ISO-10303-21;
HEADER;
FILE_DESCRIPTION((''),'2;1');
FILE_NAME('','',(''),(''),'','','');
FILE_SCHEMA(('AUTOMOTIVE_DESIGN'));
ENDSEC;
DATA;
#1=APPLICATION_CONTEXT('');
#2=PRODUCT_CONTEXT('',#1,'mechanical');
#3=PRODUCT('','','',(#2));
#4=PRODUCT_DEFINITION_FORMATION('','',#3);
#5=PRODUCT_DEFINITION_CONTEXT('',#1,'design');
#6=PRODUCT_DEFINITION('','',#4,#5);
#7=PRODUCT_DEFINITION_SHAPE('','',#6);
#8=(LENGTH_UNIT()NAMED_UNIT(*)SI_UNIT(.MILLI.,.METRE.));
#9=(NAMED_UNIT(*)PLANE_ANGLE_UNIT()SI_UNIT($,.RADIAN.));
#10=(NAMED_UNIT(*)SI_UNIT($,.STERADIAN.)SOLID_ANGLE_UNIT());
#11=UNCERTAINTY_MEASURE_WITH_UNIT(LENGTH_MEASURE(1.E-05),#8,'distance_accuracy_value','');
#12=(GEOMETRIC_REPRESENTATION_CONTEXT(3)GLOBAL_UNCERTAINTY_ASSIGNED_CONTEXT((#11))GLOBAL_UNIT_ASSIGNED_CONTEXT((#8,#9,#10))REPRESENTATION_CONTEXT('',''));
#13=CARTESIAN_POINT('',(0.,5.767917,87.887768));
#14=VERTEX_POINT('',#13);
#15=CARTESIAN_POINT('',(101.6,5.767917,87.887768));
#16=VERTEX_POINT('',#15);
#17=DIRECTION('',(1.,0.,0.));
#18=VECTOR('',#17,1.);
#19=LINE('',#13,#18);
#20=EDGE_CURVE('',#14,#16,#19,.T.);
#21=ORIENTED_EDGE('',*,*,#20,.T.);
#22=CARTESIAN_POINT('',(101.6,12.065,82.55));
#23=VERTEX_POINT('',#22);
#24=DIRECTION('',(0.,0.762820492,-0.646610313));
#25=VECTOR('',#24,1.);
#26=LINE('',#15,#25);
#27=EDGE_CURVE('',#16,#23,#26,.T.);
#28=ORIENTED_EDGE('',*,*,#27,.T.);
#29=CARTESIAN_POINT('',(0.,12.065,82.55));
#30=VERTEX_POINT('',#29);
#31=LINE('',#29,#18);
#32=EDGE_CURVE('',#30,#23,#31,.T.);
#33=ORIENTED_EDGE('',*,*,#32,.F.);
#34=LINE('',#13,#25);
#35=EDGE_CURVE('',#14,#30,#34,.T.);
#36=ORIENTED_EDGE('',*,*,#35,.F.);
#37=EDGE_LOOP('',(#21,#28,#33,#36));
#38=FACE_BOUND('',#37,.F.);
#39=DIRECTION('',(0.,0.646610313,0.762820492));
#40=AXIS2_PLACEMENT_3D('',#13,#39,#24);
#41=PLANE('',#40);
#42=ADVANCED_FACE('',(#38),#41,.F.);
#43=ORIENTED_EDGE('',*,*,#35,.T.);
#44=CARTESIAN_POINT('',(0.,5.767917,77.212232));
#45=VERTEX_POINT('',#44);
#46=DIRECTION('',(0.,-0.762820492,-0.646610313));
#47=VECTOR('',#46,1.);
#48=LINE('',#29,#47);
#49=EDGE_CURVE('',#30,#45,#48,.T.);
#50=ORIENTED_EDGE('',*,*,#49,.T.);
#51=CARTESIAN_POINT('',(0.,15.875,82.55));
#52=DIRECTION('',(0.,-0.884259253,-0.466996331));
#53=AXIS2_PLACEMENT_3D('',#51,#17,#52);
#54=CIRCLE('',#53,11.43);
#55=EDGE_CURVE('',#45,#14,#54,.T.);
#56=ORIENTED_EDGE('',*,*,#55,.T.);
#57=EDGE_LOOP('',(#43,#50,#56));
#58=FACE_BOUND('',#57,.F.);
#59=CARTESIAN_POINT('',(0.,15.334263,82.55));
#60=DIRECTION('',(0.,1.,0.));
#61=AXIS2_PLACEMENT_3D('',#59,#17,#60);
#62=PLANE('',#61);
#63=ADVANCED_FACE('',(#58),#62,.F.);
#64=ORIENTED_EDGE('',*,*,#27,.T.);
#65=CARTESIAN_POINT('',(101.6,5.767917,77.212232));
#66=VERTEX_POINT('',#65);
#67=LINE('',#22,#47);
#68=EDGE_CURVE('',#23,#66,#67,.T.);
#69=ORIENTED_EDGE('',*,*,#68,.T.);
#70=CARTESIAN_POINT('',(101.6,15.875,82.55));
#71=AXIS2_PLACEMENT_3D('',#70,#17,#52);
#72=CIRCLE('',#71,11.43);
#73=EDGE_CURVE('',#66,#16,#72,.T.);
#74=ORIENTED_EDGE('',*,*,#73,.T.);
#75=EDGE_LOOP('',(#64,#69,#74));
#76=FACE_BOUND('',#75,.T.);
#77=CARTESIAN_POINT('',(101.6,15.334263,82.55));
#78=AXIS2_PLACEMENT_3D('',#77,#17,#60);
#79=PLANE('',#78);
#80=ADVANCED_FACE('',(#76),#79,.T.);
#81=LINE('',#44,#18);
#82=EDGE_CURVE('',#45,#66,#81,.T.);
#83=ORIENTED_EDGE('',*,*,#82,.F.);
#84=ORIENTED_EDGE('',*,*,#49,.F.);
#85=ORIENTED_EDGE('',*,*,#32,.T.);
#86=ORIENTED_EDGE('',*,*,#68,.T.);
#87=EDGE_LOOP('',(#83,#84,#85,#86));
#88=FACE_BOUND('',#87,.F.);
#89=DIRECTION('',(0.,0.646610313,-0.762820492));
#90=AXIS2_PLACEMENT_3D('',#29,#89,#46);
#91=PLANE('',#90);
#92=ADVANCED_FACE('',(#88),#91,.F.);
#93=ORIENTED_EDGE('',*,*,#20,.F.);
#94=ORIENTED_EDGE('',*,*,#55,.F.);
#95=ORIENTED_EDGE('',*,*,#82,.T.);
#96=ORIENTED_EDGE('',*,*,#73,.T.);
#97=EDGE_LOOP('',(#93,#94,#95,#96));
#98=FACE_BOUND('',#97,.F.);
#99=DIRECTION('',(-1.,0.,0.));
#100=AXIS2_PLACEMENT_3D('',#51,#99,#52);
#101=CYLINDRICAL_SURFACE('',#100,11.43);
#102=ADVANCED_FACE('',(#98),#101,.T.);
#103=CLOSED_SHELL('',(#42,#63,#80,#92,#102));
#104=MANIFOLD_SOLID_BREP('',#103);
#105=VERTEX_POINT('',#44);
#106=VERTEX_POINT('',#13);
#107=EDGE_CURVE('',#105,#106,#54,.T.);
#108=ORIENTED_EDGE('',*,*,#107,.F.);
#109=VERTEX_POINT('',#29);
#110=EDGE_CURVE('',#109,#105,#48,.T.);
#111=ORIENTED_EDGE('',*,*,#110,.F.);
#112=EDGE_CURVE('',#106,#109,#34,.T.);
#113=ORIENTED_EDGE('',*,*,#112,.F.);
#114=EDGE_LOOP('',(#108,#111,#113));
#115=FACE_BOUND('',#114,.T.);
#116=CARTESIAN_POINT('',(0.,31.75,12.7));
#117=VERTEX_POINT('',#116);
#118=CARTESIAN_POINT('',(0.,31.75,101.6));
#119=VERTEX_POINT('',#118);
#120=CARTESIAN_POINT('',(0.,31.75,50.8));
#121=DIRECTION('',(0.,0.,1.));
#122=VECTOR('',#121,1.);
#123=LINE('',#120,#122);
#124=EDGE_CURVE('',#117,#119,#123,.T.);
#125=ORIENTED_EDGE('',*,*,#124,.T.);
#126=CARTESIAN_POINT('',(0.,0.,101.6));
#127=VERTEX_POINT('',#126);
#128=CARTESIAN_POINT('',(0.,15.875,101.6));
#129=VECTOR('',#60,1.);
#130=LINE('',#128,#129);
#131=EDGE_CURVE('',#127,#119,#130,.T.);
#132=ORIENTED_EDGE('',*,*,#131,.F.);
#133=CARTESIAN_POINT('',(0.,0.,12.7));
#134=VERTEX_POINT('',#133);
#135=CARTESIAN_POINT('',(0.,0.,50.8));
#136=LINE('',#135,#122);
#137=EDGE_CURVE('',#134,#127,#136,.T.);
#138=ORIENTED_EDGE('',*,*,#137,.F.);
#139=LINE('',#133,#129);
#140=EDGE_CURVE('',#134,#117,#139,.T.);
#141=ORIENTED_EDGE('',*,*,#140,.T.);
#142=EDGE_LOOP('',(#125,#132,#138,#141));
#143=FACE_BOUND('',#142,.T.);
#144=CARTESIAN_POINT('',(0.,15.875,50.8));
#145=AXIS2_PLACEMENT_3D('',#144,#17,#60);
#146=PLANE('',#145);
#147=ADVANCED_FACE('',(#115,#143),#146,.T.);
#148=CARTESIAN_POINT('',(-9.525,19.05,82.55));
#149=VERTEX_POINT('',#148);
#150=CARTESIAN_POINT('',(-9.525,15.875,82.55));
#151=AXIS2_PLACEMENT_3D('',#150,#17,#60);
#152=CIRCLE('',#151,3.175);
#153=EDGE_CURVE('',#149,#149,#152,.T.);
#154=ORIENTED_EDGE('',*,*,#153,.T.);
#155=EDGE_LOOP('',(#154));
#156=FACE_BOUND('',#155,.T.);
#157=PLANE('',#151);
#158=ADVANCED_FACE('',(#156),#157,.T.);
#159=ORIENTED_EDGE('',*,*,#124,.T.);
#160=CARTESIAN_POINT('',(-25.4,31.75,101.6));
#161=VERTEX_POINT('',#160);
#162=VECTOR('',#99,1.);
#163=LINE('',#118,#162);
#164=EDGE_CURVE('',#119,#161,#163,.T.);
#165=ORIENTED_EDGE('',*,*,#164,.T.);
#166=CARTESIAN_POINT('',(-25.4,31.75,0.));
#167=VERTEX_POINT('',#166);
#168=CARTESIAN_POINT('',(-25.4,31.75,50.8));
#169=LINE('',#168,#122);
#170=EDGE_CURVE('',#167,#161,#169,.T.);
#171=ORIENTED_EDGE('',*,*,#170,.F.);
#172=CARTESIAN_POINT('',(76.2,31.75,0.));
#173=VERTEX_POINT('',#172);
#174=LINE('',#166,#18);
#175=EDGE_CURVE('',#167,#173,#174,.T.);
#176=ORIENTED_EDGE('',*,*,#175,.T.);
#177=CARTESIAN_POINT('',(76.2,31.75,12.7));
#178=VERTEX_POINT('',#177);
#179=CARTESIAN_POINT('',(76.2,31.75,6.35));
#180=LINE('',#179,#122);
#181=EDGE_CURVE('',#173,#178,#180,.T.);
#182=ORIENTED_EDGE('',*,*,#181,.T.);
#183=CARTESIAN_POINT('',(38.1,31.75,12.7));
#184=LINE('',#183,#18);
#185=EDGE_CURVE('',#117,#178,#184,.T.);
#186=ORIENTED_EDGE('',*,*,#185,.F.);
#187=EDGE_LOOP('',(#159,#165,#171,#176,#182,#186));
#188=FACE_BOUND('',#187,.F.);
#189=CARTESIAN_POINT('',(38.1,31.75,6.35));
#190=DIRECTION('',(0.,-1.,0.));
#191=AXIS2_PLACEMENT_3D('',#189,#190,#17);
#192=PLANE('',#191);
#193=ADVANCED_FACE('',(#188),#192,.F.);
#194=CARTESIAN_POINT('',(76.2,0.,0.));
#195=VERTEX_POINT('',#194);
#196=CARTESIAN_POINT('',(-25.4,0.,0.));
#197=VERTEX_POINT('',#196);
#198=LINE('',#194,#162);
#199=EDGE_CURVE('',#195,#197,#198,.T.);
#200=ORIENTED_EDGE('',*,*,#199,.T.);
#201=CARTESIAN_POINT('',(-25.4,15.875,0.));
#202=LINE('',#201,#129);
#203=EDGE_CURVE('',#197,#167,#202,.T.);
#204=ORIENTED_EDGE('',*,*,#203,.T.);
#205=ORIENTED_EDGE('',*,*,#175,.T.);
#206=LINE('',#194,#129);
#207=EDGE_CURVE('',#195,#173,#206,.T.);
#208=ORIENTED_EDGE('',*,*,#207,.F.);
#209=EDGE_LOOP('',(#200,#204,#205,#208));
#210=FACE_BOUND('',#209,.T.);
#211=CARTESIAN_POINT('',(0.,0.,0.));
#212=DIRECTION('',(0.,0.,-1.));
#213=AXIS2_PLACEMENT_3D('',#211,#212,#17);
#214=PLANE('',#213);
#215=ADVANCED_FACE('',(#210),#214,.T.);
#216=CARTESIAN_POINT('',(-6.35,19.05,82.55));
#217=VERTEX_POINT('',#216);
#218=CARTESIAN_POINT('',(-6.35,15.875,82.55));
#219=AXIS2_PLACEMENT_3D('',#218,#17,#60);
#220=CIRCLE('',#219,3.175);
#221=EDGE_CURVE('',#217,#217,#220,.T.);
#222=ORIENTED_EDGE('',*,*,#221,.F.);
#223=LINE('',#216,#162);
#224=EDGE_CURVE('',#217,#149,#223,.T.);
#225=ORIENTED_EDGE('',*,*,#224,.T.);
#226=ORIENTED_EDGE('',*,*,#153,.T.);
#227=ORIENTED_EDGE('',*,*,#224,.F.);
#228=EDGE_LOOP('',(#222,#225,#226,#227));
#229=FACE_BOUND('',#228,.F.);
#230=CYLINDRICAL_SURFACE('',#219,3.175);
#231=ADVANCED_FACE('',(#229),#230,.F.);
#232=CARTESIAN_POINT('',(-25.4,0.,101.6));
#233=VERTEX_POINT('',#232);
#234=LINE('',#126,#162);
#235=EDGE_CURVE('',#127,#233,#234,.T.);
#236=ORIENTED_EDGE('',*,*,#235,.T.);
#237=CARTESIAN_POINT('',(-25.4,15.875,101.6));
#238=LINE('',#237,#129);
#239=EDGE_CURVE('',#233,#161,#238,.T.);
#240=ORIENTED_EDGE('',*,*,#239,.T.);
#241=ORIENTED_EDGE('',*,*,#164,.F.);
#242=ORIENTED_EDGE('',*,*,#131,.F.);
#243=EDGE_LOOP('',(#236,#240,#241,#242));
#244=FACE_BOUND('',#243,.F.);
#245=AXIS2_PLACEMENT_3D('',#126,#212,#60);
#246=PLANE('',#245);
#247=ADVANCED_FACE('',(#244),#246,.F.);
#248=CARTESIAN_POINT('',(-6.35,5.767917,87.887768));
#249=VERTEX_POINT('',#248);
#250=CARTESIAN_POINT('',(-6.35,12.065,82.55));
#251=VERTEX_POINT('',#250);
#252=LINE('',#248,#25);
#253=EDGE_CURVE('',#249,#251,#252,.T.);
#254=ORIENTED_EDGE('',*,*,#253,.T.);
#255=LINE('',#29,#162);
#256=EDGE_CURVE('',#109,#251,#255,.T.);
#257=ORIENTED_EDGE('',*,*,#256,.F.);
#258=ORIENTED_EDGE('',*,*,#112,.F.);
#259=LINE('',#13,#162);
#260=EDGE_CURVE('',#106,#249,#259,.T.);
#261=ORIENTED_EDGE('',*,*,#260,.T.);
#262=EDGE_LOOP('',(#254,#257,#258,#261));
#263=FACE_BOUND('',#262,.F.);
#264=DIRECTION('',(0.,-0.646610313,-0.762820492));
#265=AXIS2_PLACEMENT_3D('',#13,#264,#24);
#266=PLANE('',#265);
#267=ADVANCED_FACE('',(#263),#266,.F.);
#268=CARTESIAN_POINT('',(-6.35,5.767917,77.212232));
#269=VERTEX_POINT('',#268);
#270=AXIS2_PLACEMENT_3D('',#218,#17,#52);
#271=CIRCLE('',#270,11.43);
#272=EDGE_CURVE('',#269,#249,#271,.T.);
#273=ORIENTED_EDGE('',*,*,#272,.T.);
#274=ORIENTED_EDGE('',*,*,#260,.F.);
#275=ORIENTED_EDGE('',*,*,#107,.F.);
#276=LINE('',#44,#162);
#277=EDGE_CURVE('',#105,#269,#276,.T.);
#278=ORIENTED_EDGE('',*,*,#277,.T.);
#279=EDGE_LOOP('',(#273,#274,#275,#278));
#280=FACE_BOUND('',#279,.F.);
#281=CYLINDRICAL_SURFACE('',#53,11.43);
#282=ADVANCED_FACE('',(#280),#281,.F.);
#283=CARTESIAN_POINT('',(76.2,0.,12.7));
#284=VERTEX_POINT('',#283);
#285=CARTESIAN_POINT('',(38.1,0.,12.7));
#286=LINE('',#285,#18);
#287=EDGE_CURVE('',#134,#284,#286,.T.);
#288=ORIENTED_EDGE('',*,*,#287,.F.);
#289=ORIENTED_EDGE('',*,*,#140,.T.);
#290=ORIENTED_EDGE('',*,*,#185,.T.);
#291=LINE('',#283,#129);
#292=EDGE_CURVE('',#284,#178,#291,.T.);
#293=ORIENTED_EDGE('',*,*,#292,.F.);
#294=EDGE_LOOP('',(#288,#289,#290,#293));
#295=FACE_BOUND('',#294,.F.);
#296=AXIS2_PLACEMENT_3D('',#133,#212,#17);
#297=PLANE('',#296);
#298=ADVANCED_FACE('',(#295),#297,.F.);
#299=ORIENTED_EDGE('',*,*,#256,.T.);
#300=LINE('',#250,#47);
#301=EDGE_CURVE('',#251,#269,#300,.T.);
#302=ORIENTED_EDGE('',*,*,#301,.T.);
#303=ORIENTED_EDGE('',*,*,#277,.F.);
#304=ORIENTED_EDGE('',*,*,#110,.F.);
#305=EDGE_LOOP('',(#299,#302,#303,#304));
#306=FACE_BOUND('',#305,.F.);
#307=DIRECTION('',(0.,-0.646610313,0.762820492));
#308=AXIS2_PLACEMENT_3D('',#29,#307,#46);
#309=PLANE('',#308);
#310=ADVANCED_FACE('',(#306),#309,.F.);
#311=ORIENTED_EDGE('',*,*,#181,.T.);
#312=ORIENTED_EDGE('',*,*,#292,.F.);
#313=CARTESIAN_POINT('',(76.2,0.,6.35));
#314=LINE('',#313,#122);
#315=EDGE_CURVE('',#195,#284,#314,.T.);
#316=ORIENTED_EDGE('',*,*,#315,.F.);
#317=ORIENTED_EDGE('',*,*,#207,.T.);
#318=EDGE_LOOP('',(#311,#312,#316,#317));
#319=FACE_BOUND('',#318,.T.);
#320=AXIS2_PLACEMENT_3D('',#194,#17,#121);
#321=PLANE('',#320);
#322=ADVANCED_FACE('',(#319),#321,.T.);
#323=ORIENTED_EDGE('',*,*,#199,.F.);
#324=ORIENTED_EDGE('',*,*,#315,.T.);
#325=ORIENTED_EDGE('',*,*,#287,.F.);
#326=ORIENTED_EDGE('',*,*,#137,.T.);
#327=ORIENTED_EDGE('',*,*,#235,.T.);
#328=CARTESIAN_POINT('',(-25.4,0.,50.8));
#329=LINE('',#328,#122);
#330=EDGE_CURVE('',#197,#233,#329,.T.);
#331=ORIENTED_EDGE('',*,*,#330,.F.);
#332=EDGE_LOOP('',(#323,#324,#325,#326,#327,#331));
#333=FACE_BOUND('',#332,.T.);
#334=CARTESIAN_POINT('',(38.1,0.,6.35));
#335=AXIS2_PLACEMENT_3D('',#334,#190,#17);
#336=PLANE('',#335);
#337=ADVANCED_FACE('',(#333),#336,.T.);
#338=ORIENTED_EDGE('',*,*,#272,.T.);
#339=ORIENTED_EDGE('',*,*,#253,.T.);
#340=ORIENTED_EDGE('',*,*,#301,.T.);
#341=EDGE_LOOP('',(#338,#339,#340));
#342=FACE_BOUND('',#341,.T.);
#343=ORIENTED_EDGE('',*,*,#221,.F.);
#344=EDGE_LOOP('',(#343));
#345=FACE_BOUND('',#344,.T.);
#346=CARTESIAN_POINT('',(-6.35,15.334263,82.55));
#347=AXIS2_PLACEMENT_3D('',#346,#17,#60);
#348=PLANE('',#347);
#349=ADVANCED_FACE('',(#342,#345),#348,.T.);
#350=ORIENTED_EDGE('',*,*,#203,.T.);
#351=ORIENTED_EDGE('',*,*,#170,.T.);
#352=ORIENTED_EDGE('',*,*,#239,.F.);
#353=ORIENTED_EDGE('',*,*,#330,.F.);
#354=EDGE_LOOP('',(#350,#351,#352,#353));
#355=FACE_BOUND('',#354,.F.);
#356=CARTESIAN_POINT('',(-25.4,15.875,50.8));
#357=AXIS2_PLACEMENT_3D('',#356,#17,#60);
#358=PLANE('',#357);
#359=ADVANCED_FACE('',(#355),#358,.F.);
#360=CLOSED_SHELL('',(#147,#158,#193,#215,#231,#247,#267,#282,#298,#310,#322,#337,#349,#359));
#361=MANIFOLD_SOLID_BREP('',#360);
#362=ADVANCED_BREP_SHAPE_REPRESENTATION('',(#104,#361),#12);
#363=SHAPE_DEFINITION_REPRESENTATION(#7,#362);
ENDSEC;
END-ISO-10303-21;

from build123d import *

# Parameters (mm, degrees)
F0_W     = 31.75
F0_H     = 101.6
F1_DEPTH = 25.4
F3_DEPTH = 6.35
F4_R     = 3.175
F5_DEPTH = 3.175
F6_W     = 76.2
F6_H     = 12.7
F7_DEPTH = 31.75
F8_DEPTH = 101.6


with BuildPart() as f1:
    # F0 (on Right) → F1 (new body)
    with BuildSketch(Plane.YZ):
        with Locations((15.875, 50.8)):
            Rectangle(F0_W, F0_H)
    extrude(amount=-F1_DEPTH)

    # F2 (on face) → F3 (cut)
    with BuildSketch(Plane.YZ):
        with BuildLine():
            Line((12.065, 82.55), (5.767917, 77.212232))
            ThreePointArc((5.767917, 77.212232), (27.305, 82.55), (5.767917, 87.887768))
            Line((5.767917, 87.887768), (12.065, 82.55))
        make_face()
    extrude(amount=-F3_DEPTH, mode=Mode.SUBTRACT)

    # F4 (on face) → F5 (cut)
    with BuildSketch(Plane.YZ.offset(-6.35)):
        with Locations((15.875, 82.55)):
            Circle(F4_R)
    extrude(amount=-F5_DEPTH, mode=Mode.SUBTRACT)

    # F6 (on face) → F7 (join)
    with BuildSketch(Plane.XZ):
        with Locations((38.1, 6.35)):
            Rectangle(F6_W, F6_H)
    extrude(amount=-F7_DEPTH)

    # F2 (on face) → F8 (join)
    with BuildSketch(Plane.YZ):
        with BuildLine():
            Line((12.065, 82.55), (5.767917, 77.212232))
            ThreePointArc((5.767917, 77.212232), (27.305, 82.55), (5.767917, 87.887768))
            Line((5.767917, 87.887768), (12.065, 82.55))
        make_face()
    extrude(amount=F8_DEPTH)


solid = f1.part
